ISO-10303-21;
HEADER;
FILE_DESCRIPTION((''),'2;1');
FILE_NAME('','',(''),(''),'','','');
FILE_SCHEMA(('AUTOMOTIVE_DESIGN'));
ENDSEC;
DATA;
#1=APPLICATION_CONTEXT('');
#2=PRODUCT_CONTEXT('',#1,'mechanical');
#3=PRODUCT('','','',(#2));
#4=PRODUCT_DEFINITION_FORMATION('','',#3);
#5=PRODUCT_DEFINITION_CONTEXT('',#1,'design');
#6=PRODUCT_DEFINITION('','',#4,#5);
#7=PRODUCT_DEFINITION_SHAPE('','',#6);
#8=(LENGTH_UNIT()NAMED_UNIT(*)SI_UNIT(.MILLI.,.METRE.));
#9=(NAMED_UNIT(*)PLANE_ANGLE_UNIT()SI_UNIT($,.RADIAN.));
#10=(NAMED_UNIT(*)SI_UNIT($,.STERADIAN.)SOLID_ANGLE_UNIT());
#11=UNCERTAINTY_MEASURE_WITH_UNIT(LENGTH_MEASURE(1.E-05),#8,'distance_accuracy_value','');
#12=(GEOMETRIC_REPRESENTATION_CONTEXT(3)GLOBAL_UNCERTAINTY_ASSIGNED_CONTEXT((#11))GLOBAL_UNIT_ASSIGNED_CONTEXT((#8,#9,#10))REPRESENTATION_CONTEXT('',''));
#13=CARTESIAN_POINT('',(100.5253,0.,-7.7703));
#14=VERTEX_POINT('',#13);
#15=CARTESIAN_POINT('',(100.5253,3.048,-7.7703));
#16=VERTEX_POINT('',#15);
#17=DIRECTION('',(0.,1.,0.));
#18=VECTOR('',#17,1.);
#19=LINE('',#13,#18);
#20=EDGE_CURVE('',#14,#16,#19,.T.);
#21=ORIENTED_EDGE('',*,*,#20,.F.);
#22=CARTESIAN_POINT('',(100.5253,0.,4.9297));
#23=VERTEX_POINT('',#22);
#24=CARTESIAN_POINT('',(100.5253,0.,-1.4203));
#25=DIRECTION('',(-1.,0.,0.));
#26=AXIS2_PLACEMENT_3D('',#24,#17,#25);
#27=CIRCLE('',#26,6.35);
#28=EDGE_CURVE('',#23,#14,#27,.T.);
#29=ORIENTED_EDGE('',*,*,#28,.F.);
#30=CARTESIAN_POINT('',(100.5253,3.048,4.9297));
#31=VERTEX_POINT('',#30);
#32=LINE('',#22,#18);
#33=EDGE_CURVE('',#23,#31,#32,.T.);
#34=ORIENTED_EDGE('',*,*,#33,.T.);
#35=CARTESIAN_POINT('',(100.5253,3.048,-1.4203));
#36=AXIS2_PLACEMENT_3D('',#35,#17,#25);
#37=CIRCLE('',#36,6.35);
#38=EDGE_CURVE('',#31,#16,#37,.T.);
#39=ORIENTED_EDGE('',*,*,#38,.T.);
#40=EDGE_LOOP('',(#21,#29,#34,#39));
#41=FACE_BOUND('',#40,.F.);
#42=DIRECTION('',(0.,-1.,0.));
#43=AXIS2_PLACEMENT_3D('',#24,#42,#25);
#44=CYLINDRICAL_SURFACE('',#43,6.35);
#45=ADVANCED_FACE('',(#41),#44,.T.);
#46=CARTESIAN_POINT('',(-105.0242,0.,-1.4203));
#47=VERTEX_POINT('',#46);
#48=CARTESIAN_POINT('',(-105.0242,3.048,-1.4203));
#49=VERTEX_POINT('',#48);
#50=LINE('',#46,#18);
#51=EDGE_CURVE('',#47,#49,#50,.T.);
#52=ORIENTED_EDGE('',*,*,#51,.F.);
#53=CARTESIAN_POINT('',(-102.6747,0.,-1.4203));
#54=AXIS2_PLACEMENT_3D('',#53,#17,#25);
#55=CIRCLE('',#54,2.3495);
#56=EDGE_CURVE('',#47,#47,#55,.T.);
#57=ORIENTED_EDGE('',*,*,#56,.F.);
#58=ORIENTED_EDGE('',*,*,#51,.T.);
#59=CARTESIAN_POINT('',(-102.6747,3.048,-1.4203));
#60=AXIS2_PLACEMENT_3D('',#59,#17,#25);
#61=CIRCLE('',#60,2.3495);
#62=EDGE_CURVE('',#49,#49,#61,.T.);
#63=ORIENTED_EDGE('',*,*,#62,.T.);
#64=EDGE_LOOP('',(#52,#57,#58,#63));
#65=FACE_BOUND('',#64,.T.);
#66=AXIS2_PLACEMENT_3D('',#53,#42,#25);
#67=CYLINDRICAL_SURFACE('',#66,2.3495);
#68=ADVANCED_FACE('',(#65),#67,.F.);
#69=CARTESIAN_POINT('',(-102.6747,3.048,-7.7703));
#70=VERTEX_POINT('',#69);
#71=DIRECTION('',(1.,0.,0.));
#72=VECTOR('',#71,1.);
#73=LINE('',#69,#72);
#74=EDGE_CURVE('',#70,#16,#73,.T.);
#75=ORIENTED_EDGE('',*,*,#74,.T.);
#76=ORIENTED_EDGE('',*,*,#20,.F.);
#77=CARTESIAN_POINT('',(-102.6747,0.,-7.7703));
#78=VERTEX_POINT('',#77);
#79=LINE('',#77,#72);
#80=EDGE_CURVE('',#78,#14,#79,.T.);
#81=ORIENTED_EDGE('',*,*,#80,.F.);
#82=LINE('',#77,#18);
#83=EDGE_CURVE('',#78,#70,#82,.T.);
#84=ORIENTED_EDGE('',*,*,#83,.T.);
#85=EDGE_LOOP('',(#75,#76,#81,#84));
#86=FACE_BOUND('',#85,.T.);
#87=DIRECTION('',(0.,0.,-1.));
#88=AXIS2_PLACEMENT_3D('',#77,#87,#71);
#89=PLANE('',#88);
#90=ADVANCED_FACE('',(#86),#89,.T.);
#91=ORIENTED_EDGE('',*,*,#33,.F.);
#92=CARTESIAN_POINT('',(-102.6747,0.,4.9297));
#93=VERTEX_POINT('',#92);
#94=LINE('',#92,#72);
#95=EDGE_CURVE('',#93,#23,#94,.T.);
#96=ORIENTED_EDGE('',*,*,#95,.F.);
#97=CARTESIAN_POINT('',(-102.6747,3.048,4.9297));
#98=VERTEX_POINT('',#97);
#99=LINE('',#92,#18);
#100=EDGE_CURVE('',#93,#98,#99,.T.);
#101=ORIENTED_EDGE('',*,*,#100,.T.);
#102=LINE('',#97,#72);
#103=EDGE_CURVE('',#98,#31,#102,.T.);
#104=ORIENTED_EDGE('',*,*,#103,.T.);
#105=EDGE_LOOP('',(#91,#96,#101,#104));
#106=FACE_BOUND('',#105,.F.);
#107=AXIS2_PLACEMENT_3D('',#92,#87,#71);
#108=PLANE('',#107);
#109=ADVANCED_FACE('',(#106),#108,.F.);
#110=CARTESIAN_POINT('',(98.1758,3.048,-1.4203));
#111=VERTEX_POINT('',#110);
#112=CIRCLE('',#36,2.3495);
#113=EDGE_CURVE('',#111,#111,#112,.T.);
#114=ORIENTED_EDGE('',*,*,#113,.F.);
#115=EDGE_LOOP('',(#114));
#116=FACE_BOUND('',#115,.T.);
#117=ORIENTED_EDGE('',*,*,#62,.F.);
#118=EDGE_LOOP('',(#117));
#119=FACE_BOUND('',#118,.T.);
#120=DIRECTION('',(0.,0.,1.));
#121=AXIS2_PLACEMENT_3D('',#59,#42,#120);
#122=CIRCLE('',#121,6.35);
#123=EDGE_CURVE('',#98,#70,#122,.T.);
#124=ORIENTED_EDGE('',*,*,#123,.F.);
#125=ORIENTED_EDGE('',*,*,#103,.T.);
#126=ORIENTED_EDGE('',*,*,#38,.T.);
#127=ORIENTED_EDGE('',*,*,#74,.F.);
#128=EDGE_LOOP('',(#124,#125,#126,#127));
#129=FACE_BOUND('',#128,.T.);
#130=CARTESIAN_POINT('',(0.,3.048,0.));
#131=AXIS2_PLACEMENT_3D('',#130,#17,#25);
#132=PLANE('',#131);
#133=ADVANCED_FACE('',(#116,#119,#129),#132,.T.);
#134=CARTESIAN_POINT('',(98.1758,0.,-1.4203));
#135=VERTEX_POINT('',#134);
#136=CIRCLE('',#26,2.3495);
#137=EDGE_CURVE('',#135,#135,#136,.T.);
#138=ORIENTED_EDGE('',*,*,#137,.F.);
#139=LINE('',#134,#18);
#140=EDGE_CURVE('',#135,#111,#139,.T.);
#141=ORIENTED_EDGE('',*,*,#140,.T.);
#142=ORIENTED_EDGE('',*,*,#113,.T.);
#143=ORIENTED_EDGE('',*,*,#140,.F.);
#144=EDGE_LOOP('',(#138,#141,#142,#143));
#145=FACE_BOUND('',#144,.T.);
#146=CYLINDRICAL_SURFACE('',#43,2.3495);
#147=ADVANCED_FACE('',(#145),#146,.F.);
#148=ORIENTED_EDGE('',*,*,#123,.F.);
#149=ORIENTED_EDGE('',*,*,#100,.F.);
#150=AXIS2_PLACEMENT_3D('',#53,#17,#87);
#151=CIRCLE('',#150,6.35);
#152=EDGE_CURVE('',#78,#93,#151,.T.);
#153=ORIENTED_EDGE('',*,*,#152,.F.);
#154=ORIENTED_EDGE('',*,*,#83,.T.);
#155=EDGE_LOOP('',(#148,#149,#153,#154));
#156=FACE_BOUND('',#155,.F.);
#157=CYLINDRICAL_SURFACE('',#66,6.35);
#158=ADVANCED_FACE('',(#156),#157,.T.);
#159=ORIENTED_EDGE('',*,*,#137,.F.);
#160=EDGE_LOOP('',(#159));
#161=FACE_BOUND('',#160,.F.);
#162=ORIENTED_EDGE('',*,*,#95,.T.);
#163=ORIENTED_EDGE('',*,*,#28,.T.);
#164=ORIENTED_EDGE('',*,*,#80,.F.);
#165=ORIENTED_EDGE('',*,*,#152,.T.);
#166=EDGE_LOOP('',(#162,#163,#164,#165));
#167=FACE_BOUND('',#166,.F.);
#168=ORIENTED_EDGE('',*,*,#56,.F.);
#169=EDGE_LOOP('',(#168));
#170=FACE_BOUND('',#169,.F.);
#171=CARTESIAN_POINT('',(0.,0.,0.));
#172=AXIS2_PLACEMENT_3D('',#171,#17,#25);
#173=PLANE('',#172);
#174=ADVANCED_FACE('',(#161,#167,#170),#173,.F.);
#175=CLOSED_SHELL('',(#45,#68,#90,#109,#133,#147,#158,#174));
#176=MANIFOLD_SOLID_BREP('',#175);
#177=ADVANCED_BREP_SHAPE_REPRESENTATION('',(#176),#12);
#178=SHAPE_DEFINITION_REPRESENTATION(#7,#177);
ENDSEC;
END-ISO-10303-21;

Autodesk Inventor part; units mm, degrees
ref_plane "YZ Plane" through (0, 0, 0) normal (1, 0, 0) x (0, 1, 0)
ref_plane "XZ Plane" through (0, 0, 0) normal (0, 1, 0) x (-1, 0, 0)
ref_plane "XY Plane" through (0, 0, 0) normal (0, 0, 1) x (1, 0, 0)
sketch "Sketch1" plane through (0, 0, 0) normal (0, 1, 0) x (-1, 0, 0)
  circle A0 centre (102.6747, -1.4203) radius 2.1844 construction
  circle A1 centre (-100.5253, -1.4203) radius 2.1844 construction
  circle A2 centre (102.6747, -1.4203) radius 2.3495
  circle A3 centre (-100.5253, -1.4203) radius 2.3495
  circle A4 centre (102.6747, -1.4203) radius 6.35
  circle A5 centre (-100.5253, -1.4203) radius 6.35
  line L0 (102.6747, -7.7703) -> (-100.5253, -7.7703)
  line L1 (102.6747, 4.9297) -> (-100.5253, 4.9297)
  point P0 (0, 0)
  dimension "d0" = 4.699
  dimension "d1" = 4.699
  dimension "d2" = 12.7
  dimension "d3" = 12.7
extrude "Plate1" add sketch "Sketch1" along normal blind 3.048
equation "\"d4\" = Thickness"
equation "\"BendRadius\" = Thickness"
equation "\"BendReliefWidth\" = Thickness"
equation "\"BendReliefDepth\" = 0.5 * Thickness"
equation "\"CornerReliefSize\" = 4 * Thickness"
equation "\"MinimumRemnant\" = 2 * Thickness"
equation "\"TransitionRadius\" = BendRadius"
equation "\"JacobiRadiusSize\" = BendRadius"
equation "\"GapSize\" = Thickness"
equation "\"Thickness\" = 3.048"
properties part number "undersideStrip"
